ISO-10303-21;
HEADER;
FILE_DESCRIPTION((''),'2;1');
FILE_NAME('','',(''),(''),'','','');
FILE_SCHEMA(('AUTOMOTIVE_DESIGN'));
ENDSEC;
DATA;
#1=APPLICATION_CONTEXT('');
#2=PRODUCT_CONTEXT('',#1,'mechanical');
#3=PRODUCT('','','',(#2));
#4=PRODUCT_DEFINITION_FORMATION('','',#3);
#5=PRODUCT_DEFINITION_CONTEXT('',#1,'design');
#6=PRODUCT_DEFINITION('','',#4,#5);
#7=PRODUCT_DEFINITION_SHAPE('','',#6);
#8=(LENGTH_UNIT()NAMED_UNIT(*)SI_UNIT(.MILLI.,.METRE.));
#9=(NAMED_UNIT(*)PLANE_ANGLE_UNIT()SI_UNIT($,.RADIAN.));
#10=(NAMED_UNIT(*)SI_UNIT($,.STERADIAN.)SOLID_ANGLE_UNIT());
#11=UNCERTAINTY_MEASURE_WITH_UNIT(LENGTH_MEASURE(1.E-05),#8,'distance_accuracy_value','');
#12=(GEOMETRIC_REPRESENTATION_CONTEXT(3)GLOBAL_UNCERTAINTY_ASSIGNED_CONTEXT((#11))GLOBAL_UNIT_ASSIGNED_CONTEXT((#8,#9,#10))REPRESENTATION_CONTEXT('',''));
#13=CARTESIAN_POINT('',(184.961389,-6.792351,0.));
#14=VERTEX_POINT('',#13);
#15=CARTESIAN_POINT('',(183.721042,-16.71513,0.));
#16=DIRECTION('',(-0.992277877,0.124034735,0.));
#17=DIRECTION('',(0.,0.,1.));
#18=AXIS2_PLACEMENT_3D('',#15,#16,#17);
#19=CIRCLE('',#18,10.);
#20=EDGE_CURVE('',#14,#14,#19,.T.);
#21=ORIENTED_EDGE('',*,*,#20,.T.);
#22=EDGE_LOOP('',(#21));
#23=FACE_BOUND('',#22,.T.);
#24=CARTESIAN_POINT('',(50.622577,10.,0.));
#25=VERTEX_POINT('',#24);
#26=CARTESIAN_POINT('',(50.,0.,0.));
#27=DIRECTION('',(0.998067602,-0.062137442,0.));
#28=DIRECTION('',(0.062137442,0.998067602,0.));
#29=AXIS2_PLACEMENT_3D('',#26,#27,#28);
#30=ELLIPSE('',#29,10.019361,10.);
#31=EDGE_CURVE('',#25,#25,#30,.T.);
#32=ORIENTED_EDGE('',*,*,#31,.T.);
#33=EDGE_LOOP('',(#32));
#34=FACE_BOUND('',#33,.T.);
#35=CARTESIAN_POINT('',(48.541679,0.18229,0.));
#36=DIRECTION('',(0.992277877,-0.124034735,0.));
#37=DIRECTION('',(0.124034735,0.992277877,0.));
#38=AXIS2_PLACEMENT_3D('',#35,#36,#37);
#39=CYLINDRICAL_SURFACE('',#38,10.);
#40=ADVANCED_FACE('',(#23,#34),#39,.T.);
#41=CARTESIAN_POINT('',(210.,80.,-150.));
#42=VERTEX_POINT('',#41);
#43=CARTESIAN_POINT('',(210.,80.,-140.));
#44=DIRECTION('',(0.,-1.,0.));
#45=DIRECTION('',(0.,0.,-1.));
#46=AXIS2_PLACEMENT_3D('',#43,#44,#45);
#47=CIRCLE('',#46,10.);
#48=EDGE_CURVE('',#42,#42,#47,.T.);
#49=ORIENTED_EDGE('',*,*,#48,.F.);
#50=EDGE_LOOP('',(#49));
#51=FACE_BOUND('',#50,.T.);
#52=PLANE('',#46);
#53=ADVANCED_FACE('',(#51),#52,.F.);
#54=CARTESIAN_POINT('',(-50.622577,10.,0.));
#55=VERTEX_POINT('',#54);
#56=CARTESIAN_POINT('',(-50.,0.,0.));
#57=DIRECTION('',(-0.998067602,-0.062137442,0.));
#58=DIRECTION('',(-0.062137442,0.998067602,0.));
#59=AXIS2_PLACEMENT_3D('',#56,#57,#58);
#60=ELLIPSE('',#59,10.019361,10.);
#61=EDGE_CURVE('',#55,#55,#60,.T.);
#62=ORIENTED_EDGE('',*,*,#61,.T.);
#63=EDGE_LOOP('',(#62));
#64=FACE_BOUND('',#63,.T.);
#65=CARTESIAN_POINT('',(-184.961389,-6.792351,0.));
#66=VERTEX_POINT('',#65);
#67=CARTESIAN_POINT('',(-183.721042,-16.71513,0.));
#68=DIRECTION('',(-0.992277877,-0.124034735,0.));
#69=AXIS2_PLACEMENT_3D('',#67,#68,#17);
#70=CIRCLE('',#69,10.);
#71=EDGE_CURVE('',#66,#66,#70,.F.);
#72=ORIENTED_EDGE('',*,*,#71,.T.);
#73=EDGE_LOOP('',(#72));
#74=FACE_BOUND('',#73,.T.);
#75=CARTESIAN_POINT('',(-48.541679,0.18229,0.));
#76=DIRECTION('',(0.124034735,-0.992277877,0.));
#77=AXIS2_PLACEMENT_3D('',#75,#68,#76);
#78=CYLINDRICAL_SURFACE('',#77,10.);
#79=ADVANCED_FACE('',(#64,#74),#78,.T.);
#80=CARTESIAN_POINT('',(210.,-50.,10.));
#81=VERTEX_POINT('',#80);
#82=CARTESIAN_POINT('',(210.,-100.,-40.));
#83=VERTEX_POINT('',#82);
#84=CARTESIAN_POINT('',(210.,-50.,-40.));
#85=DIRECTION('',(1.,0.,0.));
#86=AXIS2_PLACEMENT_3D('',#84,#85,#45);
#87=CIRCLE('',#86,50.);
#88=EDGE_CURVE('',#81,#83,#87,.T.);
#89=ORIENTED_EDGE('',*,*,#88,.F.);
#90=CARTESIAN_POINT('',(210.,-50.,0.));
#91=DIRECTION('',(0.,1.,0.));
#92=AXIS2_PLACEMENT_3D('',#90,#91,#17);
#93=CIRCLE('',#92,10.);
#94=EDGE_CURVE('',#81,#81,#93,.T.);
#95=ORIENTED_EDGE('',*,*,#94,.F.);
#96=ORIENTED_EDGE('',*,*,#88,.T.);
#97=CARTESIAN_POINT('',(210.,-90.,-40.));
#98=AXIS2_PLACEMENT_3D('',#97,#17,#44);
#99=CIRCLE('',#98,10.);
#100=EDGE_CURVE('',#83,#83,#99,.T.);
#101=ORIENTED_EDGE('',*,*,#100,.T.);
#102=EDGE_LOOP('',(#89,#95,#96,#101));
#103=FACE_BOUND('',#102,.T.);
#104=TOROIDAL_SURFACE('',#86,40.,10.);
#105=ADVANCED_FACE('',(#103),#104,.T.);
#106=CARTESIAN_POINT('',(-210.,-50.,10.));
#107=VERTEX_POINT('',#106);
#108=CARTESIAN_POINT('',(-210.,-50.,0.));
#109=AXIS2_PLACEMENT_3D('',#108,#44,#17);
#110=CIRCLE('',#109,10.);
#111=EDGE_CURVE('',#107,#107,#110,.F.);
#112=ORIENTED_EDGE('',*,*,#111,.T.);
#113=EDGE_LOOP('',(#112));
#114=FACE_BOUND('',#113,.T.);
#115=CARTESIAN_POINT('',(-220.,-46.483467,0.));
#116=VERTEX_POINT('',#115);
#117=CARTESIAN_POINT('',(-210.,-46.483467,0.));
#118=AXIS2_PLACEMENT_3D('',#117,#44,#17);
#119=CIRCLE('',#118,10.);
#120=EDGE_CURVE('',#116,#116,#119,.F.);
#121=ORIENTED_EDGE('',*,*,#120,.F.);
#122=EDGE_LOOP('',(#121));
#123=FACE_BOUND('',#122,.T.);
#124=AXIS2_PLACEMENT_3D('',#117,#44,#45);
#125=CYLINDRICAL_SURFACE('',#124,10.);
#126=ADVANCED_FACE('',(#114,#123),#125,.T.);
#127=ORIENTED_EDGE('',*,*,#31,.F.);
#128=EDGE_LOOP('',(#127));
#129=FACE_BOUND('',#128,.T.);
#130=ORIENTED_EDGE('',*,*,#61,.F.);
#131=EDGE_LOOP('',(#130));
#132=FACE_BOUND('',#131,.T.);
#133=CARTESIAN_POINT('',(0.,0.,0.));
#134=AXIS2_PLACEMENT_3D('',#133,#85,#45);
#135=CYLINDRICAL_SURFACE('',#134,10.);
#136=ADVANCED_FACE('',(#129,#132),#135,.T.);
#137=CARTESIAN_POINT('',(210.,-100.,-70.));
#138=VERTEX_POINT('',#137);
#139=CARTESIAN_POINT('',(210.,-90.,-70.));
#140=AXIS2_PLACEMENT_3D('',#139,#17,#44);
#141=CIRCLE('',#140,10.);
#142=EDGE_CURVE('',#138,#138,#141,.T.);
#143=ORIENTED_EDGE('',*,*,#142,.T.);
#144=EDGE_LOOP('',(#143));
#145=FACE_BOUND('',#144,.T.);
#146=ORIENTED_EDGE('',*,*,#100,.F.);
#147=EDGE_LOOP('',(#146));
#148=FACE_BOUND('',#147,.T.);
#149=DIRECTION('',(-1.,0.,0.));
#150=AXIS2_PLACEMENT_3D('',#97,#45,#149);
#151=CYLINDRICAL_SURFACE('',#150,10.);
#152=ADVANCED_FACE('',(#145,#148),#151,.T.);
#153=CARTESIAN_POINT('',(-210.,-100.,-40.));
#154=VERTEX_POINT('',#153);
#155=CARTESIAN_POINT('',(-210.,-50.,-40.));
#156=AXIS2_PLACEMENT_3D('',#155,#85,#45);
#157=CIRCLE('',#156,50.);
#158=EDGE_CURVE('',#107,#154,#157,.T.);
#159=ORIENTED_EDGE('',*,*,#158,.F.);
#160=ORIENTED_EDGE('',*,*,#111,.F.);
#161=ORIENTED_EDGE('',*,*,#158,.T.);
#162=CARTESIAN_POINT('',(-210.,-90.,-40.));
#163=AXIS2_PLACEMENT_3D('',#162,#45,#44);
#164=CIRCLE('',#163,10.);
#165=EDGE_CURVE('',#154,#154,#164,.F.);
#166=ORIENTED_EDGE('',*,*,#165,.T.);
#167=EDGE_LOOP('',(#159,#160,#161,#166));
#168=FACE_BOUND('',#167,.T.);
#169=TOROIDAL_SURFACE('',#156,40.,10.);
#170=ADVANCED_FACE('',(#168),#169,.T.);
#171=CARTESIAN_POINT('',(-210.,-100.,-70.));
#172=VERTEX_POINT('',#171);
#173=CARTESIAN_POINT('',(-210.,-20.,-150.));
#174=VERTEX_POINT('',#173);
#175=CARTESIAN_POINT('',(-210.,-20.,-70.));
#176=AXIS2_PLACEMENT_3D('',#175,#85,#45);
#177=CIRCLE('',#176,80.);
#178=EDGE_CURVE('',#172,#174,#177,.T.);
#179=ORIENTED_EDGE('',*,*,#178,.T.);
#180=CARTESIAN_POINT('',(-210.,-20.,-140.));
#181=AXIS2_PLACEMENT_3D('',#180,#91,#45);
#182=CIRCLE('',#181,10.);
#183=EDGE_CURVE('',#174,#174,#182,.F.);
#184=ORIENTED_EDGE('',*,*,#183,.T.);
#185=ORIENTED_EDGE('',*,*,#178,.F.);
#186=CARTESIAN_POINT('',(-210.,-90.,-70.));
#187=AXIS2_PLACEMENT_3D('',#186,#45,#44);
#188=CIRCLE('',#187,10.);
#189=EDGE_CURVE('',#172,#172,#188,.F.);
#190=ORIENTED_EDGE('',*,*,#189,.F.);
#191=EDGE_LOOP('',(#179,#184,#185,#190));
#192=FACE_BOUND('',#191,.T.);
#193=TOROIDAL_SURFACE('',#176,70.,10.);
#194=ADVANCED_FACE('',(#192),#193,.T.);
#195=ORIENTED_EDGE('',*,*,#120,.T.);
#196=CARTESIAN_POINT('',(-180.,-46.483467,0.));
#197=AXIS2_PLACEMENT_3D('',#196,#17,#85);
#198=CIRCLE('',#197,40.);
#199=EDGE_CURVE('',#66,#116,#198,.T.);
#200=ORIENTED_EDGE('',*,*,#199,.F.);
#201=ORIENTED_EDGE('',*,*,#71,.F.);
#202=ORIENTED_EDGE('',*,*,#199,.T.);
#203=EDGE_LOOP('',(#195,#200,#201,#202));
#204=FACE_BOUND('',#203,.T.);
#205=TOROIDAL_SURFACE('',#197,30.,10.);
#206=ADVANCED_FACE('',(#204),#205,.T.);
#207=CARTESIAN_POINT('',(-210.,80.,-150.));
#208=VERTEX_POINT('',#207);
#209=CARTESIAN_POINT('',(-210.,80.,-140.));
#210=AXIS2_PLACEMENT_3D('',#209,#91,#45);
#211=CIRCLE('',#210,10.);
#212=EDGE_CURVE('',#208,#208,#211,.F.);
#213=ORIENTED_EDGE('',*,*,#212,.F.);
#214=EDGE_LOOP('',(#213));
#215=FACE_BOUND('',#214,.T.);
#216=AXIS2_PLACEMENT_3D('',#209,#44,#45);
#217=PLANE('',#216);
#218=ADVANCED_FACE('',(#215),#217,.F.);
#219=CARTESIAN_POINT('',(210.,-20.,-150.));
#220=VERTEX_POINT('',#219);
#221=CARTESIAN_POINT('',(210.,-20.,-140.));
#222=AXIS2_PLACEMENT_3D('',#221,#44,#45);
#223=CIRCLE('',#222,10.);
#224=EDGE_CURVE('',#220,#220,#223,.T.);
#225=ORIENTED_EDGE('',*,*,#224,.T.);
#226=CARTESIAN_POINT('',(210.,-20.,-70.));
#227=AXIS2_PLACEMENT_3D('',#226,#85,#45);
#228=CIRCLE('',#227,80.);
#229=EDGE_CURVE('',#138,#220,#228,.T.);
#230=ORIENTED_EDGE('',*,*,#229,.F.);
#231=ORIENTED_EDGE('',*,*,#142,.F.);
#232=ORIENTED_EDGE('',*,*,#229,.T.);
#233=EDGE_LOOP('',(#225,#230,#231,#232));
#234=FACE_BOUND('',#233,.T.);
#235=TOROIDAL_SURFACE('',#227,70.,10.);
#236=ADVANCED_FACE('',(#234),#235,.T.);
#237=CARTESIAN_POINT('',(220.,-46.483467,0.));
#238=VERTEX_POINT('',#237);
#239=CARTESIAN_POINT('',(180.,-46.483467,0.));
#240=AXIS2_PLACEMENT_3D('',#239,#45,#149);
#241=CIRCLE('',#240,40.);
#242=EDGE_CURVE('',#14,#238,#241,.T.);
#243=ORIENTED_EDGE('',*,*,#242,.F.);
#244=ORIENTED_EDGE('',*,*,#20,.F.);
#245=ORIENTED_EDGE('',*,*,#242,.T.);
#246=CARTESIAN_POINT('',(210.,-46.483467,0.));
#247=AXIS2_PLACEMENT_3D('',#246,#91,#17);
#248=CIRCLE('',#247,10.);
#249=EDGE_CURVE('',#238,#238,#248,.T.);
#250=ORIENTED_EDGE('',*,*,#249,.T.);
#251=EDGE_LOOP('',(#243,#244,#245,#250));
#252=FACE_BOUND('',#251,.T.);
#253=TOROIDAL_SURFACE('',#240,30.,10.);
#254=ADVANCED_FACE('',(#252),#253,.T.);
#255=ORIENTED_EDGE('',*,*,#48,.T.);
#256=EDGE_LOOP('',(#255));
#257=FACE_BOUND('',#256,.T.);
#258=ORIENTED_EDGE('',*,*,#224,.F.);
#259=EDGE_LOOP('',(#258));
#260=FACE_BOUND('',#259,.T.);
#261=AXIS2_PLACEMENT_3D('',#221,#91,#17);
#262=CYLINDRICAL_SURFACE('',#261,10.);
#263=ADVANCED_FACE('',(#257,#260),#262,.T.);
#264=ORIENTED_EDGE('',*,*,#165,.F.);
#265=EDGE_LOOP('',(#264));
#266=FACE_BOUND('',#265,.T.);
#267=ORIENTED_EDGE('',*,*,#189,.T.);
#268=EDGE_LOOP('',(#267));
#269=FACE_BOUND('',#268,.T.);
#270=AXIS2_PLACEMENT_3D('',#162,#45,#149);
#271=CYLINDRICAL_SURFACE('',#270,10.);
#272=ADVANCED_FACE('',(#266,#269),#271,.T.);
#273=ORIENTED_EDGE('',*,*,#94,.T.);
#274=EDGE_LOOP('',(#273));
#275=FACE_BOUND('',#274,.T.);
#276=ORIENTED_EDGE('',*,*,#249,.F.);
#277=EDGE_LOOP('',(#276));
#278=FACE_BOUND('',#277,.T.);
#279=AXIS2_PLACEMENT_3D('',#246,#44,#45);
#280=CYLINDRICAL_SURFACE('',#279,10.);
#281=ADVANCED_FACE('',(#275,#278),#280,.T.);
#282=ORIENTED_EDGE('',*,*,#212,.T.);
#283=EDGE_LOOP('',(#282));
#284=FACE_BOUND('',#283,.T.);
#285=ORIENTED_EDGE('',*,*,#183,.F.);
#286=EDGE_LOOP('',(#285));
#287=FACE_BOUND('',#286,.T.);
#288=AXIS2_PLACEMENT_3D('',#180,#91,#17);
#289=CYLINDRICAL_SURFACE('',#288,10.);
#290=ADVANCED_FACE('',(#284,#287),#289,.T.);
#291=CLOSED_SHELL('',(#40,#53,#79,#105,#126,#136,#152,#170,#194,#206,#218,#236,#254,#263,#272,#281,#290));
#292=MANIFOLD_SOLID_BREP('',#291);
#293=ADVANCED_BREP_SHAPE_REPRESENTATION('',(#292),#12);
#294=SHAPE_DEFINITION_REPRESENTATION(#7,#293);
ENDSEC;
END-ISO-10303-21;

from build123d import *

# Parameters (mm, degrees)
SWEEP1_PROFILE_R = 10


with BuildPart() as part:
    # Sweep1: sweep along a curve in space
    with BuildLine() as sweep1_path:
        Line((0, 0, 0), (50, 0, 0))
        Line((50, 0, 0), (183.721042038, -16.715130255, 0))
        ThreePointArc((183.721042038, -16.715130255, 0), (202.490345274, -26.629389659, 0), (210, -46.483466556, 0))
        Line((210, -46.483466556, 0), (210, -50, 0))
        ThreePointArc((210, -50, 0), (210, -78.284271247, -11.715728753), (210, -90, -40))
        Line((210, -90, -40), (210, -90, -70))
        ThreePointArc((210, -90, -70), (210, -69.497474683, -119.497474683), (210, -20, -140))
        Line((210, -20, -140), (210, 80, -140))
    # Sweep1 profile (on start of the path) → Sweep1 (sweep)
    with BuildSketch(Plane(origin=(0, 0, 0), x_dir=(0, 0, 1), z_dir=(1, 0, 0))):
        Circle(SWEEP1_PROFILE_R)
    sweep1 = sweep(path=sweep1_path.line, transition=Transition.RIGHT)

    # Mirror1: Sweep1 across plane
    add(sweep1.mirror(Plane.ZY))


solid = part.part
